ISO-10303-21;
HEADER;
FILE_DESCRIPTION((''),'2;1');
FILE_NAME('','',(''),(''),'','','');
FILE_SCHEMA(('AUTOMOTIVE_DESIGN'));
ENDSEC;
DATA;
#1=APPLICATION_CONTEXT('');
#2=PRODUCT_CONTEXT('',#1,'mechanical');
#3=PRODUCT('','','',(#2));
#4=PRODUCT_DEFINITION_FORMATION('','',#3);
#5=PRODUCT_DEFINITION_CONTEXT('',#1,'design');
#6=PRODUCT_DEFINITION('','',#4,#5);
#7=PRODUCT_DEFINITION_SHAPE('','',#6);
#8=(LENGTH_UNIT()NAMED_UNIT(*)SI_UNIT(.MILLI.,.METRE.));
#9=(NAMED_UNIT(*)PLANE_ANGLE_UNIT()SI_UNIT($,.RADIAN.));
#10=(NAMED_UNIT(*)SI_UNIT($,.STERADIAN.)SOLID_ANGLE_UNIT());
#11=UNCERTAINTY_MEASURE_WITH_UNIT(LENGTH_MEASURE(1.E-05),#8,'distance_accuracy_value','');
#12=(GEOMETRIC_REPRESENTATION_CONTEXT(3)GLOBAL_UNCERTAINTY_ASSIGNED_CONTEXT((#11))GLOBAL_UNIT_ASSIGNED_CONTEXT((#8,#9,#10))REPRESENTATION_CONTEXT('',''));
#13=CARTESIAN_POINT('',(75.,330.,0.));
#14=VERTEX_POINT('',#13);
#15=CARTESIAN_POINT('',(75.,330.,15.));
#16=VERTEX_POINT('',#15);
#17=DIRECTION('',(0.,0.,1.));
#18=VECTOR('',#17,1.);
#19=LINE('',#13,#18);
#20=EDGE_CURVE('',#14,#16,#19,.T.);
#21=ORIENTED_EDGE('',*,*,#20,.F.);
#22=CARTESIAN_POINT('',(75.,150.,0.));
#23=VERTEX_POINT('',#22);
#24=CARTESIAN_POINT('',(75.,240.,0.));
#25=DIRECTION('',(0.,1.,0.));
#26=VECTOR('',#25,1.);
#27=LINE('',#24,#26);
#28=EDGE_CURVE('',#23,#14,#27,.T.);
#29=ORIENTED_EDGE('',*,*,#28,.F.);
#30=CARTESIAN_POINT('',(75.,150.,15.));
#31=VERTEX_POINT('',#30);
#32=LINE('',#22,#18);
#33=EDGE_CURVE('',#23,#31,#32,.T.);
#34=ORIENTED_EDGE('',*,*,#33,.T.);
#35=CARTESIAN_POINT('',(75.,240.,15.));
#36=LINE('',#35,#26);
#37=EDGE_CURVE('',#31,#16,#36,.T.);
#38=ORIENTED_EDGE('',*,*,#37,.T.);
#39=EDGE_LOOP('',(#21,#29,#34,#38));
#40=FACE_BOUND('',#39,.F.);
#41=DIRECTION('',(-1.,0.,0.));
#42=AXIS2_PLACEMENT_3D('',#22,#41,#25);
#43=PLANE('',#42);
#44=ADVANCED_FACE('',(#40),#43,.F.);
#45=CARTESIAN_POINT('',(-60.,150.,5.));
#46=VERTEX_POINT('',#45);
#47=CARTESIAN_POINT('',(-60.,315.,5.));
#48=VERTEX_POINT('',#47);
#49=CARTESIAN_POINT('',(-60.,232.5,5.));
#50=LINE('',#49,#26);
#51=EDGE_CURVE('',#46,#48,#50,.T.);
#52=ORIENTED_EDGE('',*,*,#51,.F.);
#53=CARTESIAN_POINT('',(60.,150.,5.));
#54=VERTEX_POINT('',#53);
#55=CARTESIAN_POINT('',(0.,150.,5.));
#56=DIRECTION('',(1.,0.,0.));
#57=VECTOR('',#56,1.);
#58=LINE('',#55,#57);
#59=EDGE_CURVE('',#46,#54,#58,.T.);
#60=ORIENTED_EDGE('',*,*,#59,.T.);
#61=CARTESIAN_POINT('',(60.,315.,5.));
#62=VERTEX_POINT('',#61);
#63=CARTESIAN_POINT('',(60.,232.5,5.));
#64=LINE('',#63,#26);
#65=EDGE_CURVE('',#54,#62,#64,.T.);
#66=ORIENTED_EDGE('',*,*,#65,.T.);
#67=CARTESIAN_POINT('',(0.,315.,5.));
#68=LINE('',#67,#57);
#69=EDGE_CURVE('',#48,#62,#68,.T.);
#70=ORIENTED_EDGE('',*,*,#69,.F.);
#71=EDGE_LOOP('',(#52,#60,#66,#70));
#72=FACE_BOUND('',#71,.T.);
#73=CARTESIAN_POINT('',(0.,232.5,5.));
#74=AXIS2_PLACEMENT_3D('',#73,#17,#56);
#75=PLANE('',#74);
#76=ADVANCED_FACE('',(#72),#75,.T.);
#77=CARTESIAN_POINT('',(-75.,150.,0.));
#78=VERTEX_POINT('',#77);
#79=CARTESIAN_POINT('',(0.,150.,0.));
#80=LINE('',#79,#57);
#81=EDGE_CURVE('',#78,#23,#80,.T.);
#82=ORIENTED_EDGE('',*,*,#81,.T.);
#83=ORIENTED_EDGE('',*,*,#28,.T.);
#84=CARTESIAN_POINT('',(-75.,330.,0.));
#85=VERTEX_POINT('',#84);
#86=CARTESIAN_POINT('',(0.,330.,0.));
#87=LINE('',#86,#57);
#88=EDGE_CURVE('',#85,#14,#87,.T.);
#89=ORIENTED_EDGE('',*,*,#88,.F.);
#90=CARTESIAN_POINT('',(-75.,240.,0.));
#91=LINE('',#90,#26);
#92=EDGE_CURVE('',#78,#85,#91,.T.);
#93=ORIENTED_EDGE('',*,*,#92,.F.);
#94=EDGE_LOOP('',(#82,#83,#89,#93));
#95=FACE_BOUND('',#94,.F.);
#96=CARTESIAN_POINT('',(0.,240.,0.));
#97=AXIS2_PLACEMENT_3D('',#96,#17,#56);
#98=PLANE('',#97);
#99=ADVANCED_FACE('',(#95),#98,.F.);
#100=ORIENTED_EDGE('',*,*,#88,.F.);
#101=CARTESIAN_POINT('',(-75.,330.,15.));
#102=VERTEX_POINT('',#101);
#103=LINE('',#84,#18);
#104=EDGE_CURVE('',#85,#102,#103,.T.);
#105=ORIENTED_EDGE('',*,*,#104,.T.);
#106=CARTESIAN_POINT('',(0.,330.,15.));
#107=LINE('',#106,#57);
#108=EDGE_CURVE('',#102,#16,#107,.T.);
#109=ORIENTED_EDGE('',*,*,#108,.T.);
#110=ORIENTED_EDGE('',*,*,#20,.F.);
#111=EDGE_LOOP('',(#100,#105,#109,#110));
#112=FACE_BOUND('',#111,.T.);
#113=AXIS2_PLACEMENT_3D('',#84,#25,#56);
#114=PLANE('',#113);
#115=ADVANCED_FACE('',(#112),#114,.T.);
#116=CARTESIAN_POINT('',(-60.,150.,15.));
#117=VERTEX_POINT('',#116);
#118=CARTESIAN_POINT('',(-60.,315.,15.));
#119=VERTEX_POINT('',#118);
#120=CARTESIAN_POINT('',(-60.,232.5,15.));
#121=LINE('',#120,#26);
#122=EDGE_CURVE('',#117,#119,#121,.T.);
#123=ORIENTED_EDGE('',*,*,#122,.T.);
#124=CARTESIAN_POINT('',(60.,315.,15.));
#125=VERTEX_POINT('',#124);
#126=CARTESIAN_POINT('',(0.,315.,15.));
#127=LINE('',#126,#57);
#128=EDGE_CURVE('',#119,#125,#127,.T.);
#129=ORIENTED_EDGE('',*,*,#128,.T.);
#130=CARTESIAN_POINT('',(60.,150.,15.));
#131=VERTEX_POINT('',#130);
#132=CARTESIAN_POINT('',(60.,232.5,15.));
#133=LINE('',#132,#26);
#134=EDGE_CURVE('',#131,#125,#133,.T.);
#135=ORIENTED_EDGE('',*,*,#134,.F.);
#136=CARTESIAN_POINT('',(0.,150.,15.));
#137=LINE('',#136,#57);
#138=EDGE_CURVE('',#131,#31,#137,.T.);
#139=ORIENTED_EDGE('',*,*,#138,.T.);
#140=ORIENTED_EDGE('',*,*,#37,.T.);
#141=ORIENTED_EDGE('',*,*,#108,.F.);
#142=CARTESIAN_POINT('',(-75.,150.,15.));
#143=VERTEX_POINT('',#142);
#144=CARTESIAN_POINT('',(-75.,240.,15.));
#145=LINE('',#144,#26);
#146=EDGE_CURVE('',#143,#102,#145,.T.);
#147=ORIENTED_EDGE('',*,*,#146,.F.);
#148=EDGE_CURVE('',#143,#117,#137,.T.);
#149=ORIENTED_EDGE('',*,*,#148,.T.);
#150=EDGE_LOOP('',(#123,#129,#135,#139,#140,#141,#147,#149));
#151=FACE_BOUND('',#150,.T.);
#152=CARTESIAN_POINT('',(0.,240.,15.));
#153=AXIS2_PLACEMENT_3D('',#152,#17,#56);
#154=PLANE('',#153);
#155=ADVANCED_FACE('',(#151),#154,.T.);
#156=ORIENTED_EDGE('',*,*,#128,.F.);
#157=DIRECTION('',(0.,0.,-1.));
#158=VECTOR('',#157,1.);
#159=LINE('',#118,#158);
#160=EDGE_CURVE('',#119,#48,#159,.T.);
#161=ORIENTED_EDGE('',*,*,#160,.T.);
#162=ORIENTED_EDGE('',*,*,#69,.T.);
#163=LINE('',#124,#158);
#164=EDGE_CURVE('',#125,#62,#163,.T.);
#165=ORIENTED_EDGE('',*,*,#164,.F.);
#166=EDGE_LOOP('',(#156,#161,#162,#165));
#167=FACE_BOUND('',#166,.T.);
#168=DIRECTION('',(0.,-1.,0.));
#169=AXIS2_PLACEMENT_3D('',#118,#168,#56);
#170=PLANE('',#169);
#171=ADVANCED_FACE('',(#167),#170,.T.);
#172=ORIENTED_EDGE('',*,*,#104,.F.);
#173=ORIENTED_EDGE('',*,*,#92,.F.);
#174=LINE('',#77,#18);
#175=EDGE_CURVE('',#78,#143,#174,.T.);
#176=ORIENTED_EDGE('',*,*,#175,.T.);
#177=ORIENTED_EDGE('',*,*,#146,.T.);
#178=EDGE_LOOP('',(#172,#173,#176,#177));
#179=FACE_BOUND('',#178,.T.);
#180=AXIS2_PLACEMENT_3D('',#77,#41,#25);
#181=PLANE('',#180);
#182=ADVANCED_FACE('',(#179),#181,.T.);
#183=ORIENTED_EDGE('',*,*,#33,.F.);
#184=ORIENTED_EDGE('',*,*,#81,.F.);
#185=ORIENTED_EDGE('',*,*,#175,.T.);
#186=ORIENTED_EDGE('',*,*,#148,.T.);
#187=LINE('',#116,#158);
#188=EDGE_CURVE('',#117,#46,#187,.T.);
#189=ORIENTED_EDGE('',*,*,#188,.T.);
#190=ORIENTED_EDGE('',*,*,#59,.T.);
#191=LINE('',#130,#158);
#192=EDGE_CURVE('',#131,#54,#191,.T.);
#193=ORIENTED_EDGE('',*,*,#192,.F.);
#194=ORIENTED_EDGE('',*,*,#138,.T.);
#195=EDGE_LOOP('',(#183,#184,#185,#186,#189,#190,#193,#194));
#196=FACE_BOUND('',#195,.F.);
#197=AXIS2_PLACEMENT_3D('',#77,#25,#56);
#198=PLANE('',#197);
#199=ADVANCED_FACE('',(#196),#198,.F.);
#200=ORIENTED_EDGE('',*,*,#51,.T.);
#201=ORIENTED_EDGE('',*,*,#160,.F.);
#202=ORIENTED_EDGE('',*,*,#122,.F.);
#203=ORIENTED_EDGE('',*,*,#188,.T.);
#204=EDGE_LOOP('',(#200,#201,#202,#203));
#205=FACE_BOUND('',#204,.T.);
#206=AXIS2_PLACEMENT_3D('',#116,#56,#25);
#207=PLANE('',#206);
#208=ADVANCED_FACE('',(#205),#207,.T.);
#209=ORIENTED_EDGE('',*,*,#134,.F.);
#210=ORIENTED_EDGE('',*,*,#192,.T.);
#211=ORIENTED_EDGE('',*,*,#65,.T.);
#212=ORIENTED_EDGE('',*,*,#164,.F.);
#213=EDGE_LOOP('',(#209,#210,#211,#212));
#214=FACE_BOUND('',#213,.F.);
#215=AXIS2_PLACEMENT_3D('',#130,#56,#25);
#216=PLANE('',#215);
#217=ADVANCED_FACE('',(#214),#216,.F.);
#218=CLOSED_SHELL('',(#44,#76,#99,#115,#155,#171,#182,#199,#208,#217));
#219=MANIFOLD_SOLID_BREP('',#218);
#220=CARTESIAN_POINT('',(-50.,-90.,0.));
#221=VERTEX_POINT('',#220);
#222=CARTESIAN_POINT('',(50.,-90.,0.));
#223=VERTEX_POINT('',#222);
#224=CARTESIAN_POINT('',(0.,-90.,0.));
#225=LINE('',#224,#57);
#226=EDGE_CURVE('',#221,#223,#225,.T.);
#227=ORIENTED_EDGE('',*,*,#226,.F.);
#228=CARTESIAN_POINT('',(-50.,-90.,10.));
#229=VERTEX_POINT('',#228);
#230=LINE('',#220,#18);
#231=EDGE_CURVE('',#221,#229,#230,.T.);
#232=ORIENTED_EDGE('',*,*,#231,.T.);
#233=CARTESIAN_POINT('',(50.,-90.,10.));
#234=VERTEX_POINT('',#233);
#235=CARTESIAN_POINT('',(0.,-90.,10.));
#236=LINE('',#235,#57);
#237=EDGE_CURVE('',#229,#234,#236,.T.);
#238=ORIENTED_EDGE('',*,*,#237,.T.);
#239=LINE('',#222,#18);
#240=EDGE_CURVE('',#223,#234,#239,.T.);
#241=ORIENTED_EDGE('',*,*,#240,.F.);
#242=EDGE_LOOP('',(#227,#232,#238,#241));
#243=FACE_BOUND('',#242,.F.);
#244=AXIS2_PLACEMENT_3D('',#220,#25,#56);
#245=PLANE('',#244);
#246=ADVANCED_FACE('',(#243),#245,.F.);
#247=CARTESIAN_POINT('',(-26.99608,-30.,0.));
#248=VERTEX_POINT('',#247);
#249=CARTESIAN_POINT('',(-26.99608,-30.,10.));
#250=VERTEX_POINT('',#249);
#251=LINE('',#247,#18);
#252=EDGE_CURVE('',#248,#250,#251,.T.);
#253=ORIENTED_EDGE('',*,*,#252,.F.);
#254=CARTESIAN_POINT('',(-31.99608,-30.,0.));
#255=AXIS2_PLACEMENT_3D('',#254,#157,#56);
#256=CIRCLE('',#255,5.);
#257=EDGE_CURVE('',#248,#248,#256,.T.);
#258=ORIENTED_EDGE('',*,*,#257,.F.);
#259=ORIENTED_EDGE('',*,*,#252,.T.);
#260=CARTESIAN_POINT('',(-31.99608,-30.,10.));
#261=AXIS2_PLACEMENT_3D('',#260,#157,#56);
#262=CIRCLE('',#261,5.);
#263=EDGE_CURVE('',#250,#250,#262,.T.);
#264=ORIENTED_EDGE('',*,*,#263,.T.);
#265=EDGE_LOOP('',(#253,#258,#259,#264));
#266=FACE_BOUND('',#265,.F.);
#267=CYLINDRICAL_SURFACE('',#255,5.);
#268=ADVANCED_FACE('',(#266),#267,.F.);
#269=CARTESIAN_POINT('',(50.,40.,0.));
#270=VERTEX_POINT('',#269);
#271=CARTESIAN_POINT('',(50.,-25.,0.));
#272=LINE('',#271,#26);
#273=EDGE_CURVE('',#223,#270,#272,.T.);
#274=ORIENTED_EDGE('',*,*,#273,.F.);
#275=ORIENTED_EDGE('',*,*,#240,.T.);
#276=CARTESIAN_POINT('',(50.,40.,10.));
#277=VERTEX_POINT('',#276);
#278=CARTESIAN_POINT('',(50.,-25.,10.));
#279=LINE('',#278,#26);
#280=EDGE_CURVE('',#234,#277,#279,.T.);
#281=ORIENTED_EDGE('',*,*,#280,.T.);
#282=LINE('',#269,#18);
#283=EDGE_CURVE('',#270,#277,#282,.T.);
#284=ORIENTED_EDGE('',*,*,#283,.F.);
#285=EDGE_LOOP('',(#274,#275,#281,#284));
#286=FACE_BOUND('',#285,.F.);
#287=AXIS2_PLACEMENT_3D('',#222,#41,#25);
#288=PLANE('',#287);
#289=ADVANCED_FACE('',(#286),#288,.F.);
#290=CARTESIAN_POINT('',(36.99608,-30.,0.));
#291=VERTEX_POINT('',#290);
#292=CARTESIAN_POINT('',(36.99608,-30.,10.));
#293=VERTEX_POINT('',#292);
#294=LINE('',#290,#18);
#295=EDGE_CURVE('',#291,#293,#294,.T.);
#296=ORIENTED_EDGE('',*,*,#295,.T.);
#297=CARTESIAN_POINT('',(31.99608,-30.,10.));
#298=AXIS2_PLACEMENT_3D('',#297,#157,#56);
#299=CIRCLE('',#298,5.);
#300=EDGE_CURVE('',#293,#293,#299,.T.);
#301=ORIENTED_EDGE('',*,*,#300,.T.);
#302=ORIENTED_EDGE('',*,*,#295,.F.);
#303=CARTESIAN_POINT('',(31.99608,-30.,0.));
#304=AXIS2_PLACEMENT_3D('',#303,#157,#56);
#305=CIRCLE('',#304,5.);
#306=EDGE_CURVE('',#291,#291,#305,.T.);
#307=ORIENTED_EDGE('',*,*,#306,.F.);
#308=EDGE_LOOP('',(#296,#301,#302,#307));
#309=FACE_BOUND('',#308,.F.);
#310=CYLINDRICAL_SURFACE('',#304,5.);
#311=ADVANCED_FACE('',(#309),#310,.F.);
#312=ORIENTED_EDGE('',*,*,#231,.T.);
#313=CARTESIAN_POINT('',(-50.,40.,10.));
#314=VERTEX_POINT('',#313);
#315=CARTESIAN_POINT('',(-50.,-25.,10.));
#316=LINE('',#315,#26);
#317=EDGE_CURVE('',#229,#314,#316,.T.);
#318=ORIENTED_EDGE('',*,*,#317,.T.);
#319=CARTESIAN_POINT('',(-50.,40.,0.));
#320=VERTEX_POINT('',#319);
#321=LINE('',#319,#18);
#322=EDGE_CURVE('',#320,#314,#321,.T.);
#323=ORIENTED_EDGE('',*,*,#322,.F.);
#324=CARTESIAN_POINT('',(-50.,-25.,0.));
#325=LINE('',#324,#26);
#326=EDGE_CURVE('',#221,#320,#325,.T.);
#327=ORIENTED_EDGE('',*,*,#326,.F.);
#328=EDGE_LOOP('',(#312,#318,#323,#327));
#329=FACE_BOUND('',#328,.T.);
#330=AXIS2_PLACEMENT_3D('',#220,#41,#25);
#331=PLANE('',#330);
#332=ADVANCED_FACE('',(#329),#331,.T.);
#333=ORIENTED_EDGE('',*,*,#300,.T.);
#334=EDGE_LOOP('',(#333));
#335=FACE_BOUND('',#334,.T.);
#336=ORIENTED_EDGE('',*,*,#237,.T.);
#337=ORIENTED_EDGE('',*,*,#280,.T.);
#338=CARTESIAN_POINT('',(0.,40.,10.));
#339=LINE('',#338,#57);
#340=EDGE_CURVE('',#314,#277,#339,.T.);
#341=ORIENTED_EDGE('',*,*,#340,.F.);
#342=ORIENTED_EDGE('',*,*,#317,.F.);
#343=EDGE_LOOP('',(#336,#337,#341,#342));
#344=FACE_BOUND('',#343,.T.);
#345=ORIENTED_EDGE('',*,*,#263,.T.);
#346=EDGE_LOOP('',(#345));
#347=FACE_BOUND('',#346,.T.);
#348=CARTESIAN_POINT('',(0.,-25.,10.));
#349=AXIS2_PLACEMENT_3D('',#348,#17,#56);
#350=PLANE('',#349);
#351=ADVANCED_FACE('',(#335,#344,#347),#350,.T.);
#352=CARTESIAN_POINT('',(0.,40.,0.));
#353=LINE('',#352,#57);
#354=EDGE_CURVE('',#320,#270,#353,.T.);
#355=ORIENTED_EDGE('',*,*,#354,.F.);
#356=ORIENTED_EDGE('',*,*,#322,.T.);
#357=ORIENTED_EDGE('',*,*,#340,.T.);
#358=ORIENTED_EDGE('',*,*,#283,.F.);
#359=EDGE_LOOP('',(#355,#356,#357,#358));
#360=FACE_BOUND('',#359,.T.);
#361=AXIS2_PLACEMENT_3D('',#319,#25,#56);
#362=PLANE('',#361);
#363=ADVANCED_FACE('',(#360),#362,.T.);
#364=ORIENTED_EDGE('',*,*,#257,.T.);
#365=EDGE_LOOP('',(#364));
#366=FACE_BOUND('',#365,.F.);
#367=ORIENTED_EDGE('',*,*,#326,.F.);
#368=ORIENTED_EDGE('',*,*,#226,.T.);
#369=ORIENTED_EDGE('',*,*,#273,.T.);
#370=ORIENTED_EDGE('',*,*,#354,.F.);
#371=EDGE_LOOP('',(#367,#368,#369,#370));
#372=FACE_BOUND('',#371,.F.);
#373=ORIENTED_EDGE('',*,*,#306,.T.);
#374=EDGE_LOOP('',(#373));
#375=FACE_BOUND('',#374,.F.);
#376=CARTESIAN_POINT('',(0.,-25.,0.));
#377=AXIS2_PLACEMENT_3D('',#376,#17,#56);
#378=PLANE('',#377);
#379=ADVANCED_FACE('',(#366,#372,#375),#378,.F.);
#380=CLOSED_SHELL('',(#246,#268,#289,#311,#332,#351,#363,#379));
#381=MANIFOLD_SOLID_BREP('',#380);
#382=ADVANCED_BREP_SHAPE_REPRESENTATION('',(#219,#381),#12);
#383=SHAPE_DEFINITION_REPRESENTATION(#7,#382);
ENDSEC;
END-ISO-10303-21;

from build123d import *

# Parameters (mm, degrees)
F0_W     = 100
F0_H     = 130
F1_DEPTH = 10
F2_R     = 5
F3_DEPTH = 25
F5_W     = 150
F5_H     = 180
F6_DEPTH = 15
F7_W     = 120
F7_H     = 165
F8_DEPTH = 10


with BuildPart() as f1:
    # F0 (on Top) → F1 (new body)
    with BuildSketch(Plane.XY):
        with Locations((0, -25)):
            Rectangle(F0_W, F0_H)
    extrude(amount=F1_DEPTH)

    # F2 (on face) → F3 (cut)
    with BuildSketch(Plane(origin=(0, 0, 0), x_dir=(1, 0, 0), z_dir=(0, 0, -1))):
        with Locations((31.99608, 30)):
            Circle(F2_R)
        with Locations((-31.99608, 30)):
            Circle(F2_R)
    extrude(amount=-F3_DEPTH, mode=Mode.SUBTRACT)


with BuildPart() as f6:
    # F5 (on Top) → F6 (new body)
    with BuildSketch(Plane.XY):
        with Locations((0, 240)):
            Rectangle(F5_W, F5_H)
    extrude(amount=F6_DEPTH)

    # F7 (on face) → F8 (cut)
    with BuildSketch(Plane.XY.offset(15)):
        with Locations((0, 232.5)):
            Rectangle(F7_W, F7_H)
    extrude(amount=-F8_DEPTH, mode=Mode.SUBTRACT)


solid = Compound([f1.part, f6.part])
